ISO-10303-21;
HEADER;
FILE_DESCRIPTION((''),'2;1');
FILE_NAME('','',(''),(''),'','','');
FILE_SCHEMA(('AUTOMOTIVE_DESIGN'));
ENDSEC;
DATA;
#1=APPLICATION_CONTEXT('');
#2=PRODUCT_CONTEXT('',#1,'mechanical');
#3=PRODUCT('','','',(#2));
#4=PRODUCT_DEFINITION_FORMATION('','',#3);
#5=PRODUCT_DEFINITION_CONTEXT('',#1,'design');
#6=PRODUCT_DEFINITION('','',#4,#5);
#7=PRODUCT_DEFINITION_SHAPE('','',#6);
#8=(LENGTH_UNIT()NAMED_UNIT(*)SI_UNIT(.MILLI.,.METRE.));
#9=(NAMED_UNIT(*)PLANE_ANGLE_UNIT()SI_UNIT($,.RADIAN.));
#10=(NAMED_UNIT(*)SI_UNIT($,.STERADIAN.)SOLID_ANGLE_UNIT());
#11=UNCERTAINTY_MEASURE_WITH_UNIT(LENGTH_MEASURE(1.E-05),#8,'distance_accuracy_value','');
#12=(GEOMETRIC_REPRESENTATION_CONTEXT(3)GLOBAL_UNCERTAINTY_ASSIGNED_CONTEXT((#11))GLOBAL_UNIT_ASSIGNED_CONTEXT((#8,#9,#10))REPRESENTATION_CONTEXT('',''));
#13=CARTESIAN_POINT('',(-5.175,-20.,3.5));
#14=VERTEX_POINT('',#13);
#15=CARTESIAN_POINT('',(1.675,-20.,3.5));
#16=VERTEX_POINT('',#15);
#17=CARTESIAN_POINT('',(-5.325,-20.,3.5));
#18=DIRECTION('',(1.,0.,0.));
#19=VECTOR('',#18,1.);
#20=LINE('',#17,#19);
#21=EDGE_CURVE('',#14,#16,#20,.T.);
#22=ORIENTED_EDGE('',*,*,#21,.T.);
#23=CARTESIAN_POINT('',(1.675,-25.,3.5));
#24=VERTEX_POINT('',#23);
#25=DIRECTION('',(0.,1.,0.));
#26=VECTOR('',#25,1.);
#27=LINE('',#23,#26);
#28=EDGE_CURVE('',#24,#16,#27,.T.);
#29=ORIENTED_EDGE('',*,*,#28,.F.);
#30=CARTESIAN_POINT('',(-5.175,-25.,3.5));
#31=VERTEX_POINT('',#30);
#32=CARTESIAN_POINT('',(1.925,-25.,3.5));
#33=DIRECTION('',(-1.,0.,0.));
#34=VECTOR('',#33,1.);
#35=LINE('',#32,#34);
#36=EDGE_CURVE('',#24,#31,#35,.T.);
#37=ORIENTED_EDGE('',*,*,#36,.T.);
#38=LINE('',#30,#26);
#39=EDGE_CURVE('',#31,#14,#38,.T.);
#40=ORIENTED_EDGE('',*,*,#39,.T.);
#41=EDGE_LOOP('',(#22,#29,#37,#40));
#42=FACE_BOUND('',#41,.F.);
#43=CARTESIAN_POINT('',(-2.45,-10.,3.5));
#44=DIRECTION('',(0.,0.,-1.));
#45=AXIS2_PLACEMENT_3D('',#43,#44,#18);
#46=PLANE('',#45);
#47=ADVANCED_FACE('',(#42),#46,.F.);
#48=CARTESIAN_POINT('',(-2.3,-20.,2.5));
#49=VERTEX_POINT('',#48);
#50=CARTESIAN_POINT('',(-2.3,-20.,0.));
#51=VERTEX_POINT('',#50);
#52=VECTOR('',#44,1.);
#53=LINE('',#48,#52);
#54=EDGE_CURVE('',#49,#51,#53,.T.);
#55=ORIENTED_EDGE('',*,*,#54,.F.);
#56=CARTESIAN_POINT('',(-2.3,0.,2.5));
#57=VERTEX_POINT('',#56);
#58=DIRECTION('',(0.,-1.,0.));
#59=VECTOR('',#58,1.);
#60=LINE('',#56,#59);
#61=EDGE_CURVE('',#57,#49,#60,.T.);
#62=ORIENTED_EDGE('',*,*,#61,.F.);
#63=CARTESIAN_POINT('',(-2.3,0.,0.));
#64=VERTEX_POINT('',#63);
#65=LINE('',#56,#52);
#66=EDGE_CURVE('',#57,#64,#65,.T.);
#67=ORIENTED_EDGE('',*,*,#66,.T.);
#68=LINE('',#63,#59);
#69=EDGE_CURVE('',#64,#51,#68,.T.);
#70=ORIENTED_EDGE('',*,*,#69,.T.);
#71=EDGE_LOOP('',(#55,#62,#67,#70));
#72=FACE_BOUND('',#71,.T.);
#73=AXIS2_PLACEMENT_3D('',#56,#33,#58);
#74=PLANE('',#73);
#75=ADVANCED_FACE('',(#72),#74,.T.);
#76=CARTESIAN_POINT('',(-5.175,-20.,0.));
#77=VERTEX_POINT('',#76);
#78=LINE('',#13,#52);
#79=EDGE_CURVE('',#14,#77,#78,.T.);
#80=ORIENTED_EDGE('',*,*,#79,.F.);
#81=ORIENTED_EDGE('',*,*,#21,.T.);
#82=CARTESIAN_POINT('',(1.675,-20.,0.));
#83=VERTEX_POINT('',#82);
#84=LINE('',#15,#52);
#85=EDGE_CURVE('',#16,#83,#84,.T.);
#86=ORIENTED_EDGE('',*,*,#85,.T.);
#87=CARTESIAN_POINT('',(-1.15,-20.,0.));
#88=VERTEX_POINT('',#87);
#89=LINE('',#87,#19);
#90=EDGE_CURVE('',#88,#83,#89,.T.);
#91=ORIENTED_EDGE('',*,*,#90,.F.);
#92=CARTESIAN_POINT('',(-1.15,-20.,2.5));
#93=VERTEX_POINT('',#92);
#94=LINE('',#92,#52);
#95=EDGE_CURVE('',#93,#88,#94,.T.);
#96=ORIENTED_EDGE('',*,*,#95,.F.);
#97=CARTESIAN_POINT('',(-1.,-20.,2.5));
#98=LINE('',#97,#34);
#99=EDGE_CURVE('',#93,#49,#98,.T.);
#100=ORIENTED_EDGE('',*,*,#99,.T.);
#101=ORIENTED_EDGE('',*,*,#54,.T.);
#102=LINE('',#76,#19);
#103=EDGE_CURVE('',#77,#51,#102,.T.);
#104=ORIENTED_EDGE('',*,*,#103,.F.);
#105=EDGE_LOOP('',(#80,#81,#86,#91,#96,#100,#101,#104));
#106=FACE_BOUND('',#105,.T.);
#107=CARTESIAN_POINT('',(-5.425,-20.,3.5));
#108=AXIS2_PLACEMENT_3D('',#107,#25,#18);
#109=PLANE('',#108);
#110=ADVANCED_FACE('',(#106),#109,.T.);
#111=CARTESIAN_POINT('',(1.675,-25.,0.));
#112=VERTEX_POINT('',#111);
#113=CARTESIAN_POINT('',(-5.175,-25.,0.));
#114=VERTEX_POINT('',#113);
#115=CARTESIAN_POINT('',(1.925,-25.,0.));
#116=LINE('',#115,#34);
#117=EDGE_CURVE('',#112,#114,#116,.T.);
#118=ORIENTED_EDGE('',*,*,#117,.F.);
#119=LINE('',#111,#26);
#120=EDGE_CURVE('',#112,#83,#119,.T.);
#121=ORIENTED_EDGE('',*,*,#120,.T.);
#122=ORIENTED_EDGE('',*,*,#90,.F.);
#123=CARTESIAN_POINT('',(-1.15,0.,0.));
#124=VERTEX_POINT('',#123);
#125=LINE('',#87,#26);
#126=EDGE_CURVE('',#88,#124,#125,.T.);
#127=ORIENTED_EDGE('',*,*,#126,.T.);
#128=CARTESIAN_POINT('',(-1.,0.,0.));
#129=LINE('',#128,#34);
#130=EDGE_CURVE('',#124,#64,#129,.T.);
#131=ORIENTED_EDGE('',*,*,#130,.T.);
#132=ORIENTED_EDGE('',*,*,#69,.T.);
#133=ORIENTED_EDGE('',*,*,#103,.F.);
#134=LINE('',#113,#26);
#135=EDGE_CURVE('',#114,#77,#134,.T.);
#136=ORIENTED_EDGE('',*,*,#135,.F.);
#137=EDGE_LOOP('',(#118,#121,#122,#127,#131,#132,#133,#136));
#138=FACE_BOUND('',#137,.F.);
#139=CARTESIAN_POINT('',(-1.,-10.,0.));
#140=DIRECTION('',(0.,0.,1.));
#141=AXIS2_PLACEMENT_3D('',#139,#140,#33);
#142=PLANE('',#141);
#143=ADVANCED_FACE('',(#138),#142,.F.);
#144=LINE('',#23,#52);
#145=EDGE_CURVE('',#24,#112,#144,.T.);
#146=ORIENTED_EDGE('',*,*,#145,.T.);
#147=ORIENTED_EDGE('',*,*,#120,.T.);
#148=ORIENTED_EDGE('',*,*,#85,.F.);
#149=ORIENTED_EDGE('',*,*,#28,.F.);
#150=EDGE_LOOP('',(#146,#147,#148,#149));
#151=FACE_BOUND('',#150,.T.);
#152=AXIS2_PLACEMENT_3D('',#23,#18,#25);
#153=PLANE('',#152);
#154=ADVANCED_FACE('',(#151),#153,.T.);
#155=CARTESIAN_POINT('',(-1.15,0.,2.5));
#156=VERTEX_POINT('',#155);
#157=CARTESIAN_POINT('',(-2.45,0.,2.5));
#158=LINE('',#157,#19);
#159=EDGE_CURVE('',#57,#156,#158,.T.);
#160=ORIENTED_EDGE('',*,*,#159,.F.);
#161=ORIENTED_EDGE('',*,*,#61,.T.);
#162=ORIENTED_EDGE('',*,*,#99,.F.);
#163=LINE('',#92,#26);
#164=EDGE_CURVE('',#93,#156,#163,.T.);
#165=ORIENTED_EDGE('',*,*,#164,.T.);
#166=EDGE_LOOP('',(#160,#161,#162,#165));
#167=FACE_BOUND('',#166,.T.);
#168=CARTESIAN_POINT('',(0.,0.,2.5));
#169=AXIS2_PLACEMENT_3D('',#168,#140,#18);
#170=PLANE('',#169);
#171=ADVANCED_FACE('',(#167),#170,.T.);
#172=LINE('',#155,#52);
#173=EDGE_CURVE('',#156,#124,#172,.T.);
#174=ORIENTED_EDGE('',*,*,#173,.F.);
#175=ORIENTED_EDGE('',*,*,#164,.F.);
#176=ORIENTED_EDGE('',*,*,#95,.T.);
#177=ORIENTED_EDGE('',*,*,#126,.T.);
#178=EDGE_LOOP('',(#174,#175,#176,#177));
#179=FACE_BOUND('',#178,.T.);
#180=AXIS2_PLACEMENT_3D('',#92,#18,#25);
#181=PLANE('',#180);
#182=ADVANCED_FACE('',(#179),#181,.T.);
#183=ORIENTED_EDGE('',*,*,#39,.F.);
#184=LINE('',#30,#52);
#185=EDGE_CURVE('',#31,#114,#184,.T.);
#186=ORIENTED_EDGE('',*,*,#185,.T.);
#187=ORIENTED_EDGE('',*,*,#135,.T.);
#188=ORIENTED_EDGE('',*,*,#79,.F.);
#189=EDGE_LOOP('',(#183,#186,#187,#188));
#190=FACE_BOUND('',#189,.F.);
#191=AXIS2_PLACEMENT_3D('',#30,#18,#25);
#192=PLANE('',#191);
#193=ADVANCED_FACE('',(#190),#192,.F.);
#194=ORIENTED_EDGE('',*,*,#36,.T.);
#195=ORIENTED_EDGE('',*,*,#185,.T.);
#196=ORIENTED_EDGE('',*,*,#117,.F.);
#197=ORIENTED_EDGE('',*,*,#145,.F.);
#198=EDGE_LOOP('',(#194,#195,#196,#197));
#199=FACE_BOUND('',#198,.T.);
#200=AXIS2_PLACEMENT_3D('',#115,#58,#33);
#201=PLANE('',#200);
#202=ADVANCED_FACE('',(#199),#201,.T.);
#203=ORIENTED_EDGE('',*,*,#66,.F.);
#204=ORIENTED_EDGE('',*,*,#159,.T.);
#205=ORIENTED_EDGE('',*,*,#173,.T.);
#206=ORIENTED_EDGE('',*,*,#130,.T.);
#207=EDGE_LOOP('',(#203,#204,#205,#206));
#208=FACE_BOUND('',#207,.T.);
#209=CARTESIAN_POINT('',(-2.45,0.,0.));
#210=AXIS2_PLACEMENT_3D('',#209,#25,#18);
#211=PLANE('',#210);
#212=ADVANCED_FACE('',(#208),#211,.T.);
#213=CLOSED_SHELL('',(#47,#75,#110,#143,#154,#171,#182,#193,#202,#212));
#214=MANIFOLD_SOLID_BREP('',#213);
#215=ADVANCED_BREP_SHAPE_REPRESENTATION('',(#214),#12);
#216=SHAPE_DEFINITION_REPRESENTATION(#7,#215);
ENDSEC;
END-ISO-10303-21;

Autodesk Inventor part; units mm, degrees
ref_plane "YZ Plane" through (0, 0, 0) normal (1, 0, 0) x (0, 1, 0)
ref_plane "XZ Plane" through (0, 0, 0) normal (0, 1, 0) x (-1, 0, 0)
ref_plane "XY Plane" through (0, 0, 0) normal (0, 0, 1) x (1, 0, 0)
sketch "Sketch1" plane through (0, 0, 0) normal (0, 0, 1) x (1, 0, 0)
  line L0 (0, 0) -> (-3.45, 0)
  line L1 (-3.45, 0) -> (-3.45, -20)
  line L2 (-3.45, -20) -> (0, -20)
  line L3 (0, -20) -> (0, 0)
  line L4 (-1.725, -20) -> (-5.425, -20)
  line L5 (-5.425, -20) -> (1.925, -20)
  line L6 (1.925, -20) -> (1.925, -25)
  line L7 (1.925, -25) -> (-5.425, -25)
  line L8 (-5.425, -25) -> (-5.425, -20)
  dimension "d0" = 20
  dimension "d1" = 3.45
  dimension "d2" = 3.7
  dimension "d3" = 7.35
  dimension "d4" = 5
extrude "Extrusion1" add sketch "Sketch1" along normal blind 3.5
sketch "Sketch4" plane through (0, 0, 0) normal (0, 0, -1) x (-1, 0, 0)
  line L0 (0, -20) -> (0, 0) projected
  line L1 (-1.925, -20) -> (0, -20) projected
  line L2 (-1.925, -25) -> (-1.925, -20) projected
  line L3 (5.425, -25) -> (-1.925, -25) projected
  line L4 (5.425, -20) -> (5.425, -25) projected
  line L5 (3.45, -20) -> (5.425, -20) projected
  line L6 (3.45, 0) -> (3.45, -20) projected
  line L7 (0, 0) -> (3.45, 0) projected
  line L8 (3.45, 0) -> (5.475, 0)
  line L9 (0, 0) -> (-2.025, 0)
  line L10 (5.475, 0) -> (-2.025, 0)
  line L11 (-2.025, 0) -> (-2.025, 4)
  line L12 (-2.025, 4) -> (5.475, 4)
  line L13 (5.475, 4) -> (5.475, 0)
  circle A0 centre (1.725, 4) radius 3.75
  circle A1 centre (1.725, 4) radius 1.55
  dimension "d22" = 2.025
  dimension "d23" = 2.025
  dimension "d24" = 7.5
  dimension "d25" = 4
  dimension "d26" = 3.1
extrude "Extrusion4" add sketch "Sketch4" against normal up to surface (3.5 mm away) contours L9 L11 A0 L13 L8 L7 | A0 L12 A1 | L12 A1 A0
sketch "Sketch5" plane through (0, 0, 0) normal (0, 0, -1) x (-1, 0, 0)
  circle A0 centre (1.725, 4) radius 1.55 projected
  line L0 (0, -20) -> (0, 0) projected
  line L1 (-1.925, -20) -> (0, -20) projected
  line L2 (-1.925, -25) -> (-1.925, -20) projected
  line L3 (5.425, -25) -> (-1.925, -25) projected
  line L4 (5.425, -20) -> (5.425, -25) projected
  line L5 (3.45, -20) -> (5.425, -20) projected
  line L6 (3.45, 0) -> (3.45, -20) projected
  line L7 (3.45, 0) -> (5.475, 0) projected
  line L8 (5.475, 0) -> (5.475, 4) projected
  arc A1 (5.475, 4) -> (-2.025, 4) centre (1.725, 4) ccw projected
  line L9 (-2.025, 4) -> (-2.025, 0) projected
  line L10 (-2.025, 0) -> (0, 0) projected
  line L11 (3.45, -10) -> (0, -10)
  line L12 (2.45, -10) -> (2.45, -20)
  line L13 (1, -10) -> (1, -20)
  line L14 (3.45, -20) -> (2.45, -20)
  line L15 (1, -20) -> (0, -20)
  dimension "d29" = 1
  dimension "d30" = 1
extrude "Extrusion5" cut sketch "Sketch5" against normal up to surface (3.5 mm away) contours L0 L11 L13 L15 | L0 L10 L9 A1 L8 L7 L6 L11 | L11 L6 L14 L12
sketch "Sketch6" plane through (0, 0, 3.5) normal (0, 0, 1) x (1, 0, 0)
  line L0 (1.925, -20) -> (-1, -20) projected
  line L1 (-1, -20) -> (-1, -10) projected
  line L2 (-1, -10) -> (-2.45, -10) projected
  line L3 (-2.45, -10) -> (-2.45, -20) projected
  line L4 (-2.45, -20) -> (-5.425, -20) projected
  line L5 (-5.425, -20) -> (-5.425, -25) projected
  line L6 (-5.425, -25) -> (1.925, -25) projected
  line L7 (1.925, -25) -> (1.925, -20) projected
  line L8 (-1, -20) -> (-2.45, -20)
  point P0 (0, 0)
extrude "Extrusion6" cut sketch "Sketch6" against normal blind 1.75 contours L8 L3 L2 L1
sketch "Sketch7" plane through (-5.425, -20, 3.5) normal (0, 1, 0) x (1, 0, 0)
  line L0 (4.425, 3.5) -> (7.35, 3.5) projected
  line L1 (4.425, 3.5) -> (4.425, 1.75) projected
  line L2 (4.425, 1.75) -> (2.975, 1.75) projected
  line L3 (2.975, 3.5) -> (2.975, 1.75) projected
  line L4 (0, 3.5) -> (2.975, 3.5) projected
  line L5 (0, 3.5) -> (0, 0) projected
  line L6 (7.35, 0) -> (0, 0) projected
  line L7 (7.35, 3.5) -> (7.35, 0) projected
  line L8 (0.5, 0.5) -> (0.5, 3)
  line L9 (0.5, 3) -> (2.475, 3)
  line L10 (2.475, 3) -> (2.475, 1.25)
  line L11 (2.475, 1.25) -> (4.925, 1.25)
  line L12 (4.925, 1.25) -> (4.925, 3)
  line L13 (4.925, 3) -> (6.85, 3)
  line L14 (6.85, 3) -> (6.85, 0.5)
  line L15 (6.85, 0.5) -> (0.5, 0.5)
  line L16 (2.475, 3) -> (4.925, 3)
  line L17 (2.975, 3.5) -> (4.425, 3.5)
  point P0 (5.425, 3.5)
  dimension "d35" = 0.5
extrude "Extrusion7" cut sketch "Sketch7" along normal blind 10 and the other way blind 2 contours L0 L7 L6 L5 L4 L3 L16 L9 L8 L15 L14 L13 L1 | L1 L16 L3 L17
sketch "Sketch8" plane through (-5.425, -22, 3.5) normal (0, 1, 0) x (1, 0, 0)
  line L0 (0, 3.5) -> (7.35, 3.5) projected
  line L1 (0, 0) -> (0, 3.5) projected
  line L2 (7.35, 0) -> (0, 0) projected
  line L3 (7.35, 3.5) -> (7.35, 0) projected
  line L4 (6.85, 3) -> (0.5, 3) projected
  line L5 (6.85, 0.5) -> (6.85, 3) projected
  line L6 (0.5, 0.5) -> (6.85, 0.5) projected
  line L7 (0.5, 3) -> (0.5, 0.5) projected
  point P0 (5.425, 3.5)
extrude "Extrusion8" add sketch "Sketch8" along normal up to surface (2 mm away)
sketch "Sketch9" plane through (-5.425, -20, 0) normal (0, 1, 0) x (1, 0, 0)
  line L0 (0, 0) -> (7.35, 0) projected
  line L1 (0, -3.5) -> (0, 0) projected
  line L2 (7.35, -3.5) -> (0, -3.5) projected
  line L3 (7.35, 0) -> (7.35, -3.5) projected
  line L4 (4.425, -0.5) -> (2.975, -0.5) projected
  line L5 (4.425, -0.5) -> (4.425, -1.75) projected
  line L6 (4.425, -1.75) -> (2.975, -1.75) projected
  line L7 (2.975, -0.5) -> (2.975, -1.75) projected
  line L8 (4.425, -0.5) -> (4.425, 0)
  line L9 (2.975, -0.5) -> (2.975, 0)
  point P0 (5.425, 0)
extrude "Extrusion9" add sketch "Sketch9" along normal blind 10 contours L0 L8 L4 L9
sketch "Sketch10" plane through (0, 0, 1.75) normal (0, 0, 1) x (1, 0, 0)
  line L0 (-1, -20) -> (-2.45, -20) projected
  line L1 (-1, -10) -> (-1, -20) projected
  line L2 (-2.45, -10) -> (-1, -10) projected
  line L3 (-2.45, -20) -> (-2.45, -10) projected
  point P0 (0, 0)
extrude "Extrusion10" add sketch "Sketch10" along normal up to surface (1.75 mm away)
sketch "Sketch11" plane through (-2.45, -10, 0) normal (0, 1, 0) x (1, 0, 0)
  line L0 (0, 0) -> (0, -3.5) projected
  line L1 (0, -3.5) -> (1.45, -3.5) projected
  line L2 (1.45, 0) -> (1.45, -3.5) projected
  line L3 (1.45, 0) -> (0, 0) projected
  point P0 (2.45, 0)
extrude "Extrusion11" add sketch "Sketch11" along normal blind 10
sketch "Sketch12" plane through (0, 0, 3.5) normal (0, 0, 1) x (1, 0, 0)
  line L0 (-5.425, -20) -> (-5.425, -25) projected
  line L1 (-5.425, -25) -> (1.925, -25) projected
  line L2 (1.925, -25) -> (1.925, -20) projected
  line L3 (1.925, -20) -> (-1, -20) projected
  line L4 (-1, -20) -> (-1, 0) projected
  line L5 (-2.45, 0) -> (-1, 0) projected
  line L6 (-2.45, -20) -> (-2.45, 0) projected
  line L7 (-2.45, -20) -> (-5.425, -20) projected
  line L8 (-1.75, -25) -> (-5.425, -25)
  line L9 (-5.425, -25) -> (-5.325, -25)
  line L10 (-5.325, -25) -> (-5.325, -20)
  line L11 (-1.75, -25) -> (1.925, -25)
  line L12 (1.925, -25) -> (1.825, -25)
  line L13 (1.825, -25) -> (1.825, -20)
  point P0 (0, 0)
  dimension "d48" = 0.1
  dimension "d49" = 0.1
extrude "Extrusion12" cut sketch "Sketch12" against normal up to surface (3.5 mm away) contours L7 L10 L1 L0 | L13 L3 L2 L1
sketch "Sketch17" plane through (0, 0, 3.5) normal (0, 0, 1) x (1, 0, 0)
  line L0 (1.825, -25) -> (1.825, -20) projected
  line L1 (1.825, -20) -> (-1, -20) projected
  line L2 (-1, -20) -> (-1, 0) projected
  line L3 (-2.45, 0) -> (-1, 0) projected
  line L4 (-2.45, -20) -> (-2.45, 0) projected
  line L5 (-2.45, -20) -> (-5.325, -20) projected
  line L6 (-5.325, -20) -> (-5.325, -25) projected
  line L7 (-5.325, -25) -> (1.825, -25) projected
  line L8 (-1, -20) -> (-2.45, -20)
  point P0 (0, 0)
extrude "Extrusion17" cut sketch "Sketch17" against normal blind 1 contours L8 L4 L3 L2
sketch "Sketch18" plane through (0, 0, 3.5) normal (0, 0, 1) x (1, 0, 0)
  line L0 (1.825, -20) -> (-5.325, -20) projected
  line L1 (-5.325, -20) -> (-5.325, -25) projected
  line L2 (-5.325, -25) -> (1.825, -25) projected
  line L3 (1.825, -25) -> (1.825, -20) projected
  line L4 (1.825, -25) -> (1.675, -25)
  line L5 (1.675, -25) -> (1.675, -20)
  line L6 (-5.325, -25) -> (-5.175, -25)
  line L7 (-5.175, -25) -> (-5.175, -20)
  point P0 (0, 0)
  dimension "d65" = 0.15
  dimension "d66" = 0.15
extrude "Extrusion18" cut sketch "Sketch18" against normal up to surface (3.5 mm away) contours L3 L2 L5 L0 | L7 L2 L1 L0
sketch "Sketch19" plane through (0, 0, 2.5) normal (0, 0, 1) x (1, 0, 0)
  line L0 (-2.45, 0) -> (-1, 0) projected
  line L1 (-2.45, -20) -> (-2.45, 0) projected
  line L2 (-1, -20) -> (-2.45, -20) projected
  line L3 (-1, 0) -> (-1, -20) projected
  line L4 (-1.725, 0) -> (-2.45, 0)
  line L5 (-2.45, 0) -> (-2.3, 0)
  line L6 (-2.3, 0) -> (-2.3, -20)
  line L7 (-1, -20) -> (-1.15, -20)
  line L8 (-1.15, -20) -> (-1.15, 0)
  point P0 (0, 0)
  dimension "d69" = 0.15
  dimension "d70" = 0.15
extrude "Extrusion19" cut sketch "Sketch19" against normal up to surface (2.5 mm away) contours L0 L6 L2 L1 | L0 L3 L2 L8
equation "\"d23\" = d22"
equation "\"d30\" = d29"
equation "\"d49\" = d48"
equation "\"d69\" = d70"
properties part number "Piston"
